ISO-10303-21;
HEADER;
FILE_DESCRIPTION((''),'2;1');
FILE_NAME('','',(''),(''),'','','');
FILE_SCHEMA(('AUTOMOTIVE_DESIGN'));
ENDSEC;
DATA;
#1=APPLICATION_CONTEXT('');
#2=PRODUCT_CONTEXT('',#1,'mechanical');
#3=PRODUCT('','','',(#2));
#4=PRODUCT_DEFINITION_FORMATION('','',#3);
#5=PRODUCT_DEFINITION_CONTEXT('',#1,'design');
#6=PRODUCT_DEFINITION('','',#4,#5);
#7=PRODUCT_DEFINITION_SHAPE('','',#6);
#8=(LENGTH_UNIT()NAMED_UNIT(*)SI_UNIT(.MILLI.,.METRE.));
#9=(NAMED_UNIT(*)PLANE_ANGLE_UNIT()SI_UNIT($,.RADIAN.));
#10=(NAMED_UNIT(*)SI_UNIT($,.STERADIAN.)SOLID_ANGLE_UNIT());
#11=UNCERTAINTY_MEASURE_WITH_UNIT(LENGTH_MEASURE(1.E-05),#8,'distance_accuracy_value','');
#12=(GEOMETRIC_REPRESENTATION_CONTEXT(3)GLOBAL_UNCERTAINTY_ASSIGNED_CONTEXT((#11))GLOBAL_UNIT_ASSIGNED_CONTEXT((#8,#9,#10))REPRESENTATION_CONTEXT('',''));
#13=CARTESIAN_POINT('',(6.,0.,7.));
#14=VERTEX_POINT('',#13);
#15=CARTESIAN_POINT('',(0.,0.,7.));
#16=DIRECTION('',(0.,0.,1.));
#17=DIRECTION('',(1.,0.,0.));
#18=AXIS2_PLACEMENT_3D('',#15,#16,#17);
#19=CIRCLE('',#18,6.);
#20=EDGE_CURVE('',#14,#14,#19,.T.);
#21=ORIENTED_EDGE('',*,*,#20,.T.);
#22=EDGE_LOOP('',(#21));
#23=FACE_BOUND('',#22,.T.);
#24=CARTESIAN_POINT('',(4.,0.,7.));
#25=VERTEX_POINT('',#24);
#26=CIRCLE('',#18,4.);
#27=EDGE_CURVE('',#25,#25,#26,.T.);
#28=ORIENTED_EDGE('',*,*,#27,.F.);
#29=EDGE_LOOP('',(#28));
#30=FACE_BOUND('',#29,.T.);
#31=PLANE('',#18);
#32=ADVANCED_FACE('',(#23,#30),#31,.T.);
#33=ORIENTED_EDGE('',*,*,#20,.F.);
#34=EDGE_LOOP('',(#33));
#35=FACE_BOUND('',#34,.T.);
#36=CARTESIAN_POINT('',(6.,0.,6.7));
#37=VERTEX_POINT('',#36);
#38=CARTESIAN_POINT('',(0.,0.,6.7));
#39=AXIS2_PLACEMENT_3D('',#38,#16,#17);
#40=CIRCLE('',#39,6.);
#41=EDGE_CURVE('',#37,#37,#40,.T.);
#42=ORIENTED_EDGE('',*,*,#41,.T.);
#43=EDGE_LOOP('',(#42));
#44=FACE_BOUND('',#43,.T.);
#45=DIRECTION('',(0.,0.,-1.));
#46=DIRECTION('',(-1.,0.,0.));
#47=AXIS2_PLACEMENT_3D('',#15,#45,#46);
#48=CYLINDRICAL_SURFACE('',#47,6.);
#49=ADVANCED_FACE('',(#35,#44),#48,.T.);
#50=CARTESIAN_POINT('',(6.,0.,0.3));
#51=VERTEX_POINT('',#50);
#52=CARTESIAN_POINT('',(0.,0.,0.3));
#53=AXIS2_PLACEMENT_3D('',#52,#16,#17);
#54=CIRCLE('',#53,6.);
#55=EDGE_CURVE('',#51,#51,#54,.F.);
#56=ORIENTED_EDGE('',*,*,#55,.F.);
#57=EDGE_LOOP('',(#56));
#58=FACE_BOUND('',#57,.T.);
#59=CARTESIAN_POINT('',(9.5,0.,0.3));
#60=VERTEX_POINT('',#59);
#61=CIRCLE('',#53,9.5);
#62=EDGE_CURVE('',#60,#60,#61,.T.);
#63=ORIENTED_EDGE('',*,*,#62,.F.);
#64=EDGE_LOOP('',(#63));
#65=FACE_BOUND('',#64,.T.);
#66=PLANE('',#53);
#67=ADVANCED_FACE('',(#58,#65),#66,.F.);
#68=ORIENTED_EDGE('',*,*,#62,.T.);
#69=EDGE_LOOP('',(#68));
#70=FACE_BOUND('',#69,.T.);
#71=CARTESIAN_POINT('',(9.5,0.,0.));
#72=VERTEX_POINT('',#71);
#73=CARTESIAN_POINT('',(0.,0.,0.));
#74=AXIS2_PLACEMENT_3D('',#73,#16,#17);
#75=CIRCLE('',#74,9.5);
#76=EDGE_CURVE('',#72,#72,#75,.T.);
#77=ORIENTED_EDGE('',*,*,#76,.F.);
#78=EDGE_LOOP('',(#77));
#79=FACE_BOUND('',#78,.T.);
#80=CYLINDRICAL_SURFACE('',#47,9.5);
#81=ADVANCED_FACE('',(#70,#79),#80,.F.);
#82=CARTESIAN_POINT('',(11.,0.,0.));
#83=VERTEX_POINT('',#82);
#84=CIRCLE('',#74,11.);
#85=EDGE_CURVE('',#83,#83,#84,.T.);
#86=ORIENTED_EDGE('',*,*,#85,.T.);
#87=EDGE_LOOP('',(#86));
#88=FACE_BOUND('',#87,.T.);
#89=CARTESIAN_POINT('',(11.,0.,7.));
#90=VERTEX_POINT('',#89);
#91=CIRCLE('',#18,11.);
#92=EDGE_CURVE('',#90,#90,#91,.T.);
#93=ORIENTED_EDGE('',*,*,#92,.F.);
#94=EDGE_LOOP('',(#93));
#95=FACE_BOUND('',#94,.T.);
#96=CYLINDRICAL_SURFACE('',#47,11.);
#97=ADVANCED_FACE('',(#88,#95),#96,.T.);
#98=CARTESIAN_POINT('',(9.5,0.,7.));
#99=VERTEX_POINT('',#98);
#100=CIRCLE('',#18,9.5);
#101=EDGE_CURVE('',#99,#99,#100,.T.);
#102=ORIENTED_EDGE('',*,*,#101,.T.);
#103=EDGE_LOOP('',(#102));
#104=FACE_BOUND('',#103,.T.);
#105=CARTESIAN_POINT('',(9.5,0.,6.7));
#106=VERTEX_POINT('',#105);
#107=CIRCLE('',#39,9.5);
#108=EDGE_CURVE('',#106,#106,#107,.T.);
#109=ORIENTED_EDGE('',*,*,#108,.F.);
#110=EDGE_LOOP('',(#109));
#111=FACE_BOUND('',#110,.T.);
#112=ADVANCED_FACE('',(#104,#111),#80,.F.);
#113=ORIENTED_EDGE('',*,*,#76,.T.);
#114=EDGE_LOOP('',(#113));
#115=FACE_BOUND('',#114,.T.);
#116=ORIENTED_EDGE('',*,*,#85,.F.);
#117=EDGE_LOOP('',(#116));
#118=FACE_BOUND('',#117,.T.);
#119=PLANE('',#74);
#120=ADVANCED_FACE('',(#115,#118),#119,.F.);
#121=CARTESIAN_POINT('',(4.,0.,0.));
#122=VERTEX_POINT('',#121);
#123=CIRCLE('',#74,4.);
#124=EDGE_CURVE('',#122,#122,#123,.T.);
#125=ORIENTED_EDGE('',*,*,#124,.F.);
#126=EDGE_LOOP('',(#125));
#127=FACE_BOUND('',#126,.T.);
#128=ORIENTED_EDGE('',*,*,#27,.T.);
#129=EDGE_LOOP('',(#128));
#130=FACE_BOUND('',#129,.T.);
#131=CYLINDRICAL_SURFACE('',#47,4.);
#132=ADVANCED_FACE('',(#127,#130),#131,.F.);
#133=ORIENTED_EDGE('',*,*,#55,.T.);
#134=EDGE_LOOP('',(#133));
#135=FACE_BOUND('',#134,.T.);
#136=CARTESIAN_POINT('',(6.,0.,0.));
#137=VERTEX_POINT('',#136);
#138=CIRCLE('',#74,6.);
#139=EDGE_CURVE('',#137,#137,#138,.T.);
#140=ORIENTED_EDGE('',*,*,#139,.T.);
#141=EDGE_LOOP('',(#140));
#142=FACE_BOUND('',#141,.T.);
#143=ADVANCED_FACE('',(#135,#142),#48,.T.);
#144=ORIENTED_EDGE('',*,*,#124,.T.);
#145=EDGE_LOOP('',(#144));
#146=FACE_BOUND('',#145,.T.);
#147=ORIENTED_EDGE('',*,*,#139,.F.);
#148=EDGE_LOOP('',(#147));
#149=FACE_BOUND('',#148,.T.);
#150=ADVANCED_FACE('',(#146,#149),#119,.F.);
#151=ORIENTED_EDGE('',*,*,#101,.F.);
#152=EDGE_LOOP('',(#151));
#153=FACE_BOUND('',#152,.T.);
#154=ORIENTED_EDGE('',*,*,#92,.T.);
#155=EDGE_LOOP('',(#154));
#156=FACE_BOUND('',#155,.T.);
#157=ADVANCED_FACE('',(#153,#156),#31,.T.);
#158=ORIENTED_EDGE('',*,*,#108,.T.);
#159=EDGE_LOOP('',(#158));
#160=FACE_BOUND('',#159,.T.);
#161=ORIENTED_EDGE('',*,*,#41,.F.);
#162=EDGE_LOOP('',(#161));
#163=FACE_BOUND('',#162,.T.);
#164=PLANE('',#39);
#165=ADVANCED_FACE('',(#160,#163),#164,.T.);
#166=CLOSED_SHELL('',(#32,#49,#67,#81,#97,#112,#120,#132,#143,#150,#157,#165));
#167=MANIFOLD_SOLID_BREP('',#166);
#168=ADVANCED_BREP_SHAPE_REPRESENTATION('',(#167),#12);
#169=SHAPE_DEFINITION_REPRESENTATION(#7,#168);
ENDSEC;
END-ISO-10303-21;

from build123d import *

# Parameters (mm, degrees)
SKETCH1_R        = 11
SKETCH1_R_2      = 9.5
OUTER_RING_DEPTH = 7
SKETCH2_R        = 6
SKETCH2_R_2      = 4
INNER_RING_DEPTH = 7
SKETCH3_R        = 9.5
SKETCH3_R_2      = 6
SHIELDS_DEPTH    = 6.4


with BuildPart() as part:
    # Sketch1 → Outer_ring (new body)
    with BuildSketch(Plane.XY):
        Circle(SKETCH1_R)
        Circle(SKETCH1_R_2, mode=Mode.SUBTRACT)
    extrude(amount=OUTER_RING_DEPTH)



with BuildPart() as body_2:
    # Sketch2 → Inner_ring (new body)
    with BuildSketch(Plane.XY):
        Circle(SKETCH2_R)
        Circle(SKETCH2_R_2, mode=Mode.SUBTRACT)
    extrude(amount=INNER_RING_DEPTH)


with BuildPart() as part_1:
    add(part.part)

    add(body_2.part)  # Shields merges body 2
    # Sketch3 → Shields (add)
    with BuildSketch(Plane.XY.offset(0.3)):
        Circle(SKETCH3_R)
        Circle(SKETCH3_R_2, mode=Mode.SUBTRACT)
    extrude(amount=SHIELDS_DEPTH)


solid = part_1.part
